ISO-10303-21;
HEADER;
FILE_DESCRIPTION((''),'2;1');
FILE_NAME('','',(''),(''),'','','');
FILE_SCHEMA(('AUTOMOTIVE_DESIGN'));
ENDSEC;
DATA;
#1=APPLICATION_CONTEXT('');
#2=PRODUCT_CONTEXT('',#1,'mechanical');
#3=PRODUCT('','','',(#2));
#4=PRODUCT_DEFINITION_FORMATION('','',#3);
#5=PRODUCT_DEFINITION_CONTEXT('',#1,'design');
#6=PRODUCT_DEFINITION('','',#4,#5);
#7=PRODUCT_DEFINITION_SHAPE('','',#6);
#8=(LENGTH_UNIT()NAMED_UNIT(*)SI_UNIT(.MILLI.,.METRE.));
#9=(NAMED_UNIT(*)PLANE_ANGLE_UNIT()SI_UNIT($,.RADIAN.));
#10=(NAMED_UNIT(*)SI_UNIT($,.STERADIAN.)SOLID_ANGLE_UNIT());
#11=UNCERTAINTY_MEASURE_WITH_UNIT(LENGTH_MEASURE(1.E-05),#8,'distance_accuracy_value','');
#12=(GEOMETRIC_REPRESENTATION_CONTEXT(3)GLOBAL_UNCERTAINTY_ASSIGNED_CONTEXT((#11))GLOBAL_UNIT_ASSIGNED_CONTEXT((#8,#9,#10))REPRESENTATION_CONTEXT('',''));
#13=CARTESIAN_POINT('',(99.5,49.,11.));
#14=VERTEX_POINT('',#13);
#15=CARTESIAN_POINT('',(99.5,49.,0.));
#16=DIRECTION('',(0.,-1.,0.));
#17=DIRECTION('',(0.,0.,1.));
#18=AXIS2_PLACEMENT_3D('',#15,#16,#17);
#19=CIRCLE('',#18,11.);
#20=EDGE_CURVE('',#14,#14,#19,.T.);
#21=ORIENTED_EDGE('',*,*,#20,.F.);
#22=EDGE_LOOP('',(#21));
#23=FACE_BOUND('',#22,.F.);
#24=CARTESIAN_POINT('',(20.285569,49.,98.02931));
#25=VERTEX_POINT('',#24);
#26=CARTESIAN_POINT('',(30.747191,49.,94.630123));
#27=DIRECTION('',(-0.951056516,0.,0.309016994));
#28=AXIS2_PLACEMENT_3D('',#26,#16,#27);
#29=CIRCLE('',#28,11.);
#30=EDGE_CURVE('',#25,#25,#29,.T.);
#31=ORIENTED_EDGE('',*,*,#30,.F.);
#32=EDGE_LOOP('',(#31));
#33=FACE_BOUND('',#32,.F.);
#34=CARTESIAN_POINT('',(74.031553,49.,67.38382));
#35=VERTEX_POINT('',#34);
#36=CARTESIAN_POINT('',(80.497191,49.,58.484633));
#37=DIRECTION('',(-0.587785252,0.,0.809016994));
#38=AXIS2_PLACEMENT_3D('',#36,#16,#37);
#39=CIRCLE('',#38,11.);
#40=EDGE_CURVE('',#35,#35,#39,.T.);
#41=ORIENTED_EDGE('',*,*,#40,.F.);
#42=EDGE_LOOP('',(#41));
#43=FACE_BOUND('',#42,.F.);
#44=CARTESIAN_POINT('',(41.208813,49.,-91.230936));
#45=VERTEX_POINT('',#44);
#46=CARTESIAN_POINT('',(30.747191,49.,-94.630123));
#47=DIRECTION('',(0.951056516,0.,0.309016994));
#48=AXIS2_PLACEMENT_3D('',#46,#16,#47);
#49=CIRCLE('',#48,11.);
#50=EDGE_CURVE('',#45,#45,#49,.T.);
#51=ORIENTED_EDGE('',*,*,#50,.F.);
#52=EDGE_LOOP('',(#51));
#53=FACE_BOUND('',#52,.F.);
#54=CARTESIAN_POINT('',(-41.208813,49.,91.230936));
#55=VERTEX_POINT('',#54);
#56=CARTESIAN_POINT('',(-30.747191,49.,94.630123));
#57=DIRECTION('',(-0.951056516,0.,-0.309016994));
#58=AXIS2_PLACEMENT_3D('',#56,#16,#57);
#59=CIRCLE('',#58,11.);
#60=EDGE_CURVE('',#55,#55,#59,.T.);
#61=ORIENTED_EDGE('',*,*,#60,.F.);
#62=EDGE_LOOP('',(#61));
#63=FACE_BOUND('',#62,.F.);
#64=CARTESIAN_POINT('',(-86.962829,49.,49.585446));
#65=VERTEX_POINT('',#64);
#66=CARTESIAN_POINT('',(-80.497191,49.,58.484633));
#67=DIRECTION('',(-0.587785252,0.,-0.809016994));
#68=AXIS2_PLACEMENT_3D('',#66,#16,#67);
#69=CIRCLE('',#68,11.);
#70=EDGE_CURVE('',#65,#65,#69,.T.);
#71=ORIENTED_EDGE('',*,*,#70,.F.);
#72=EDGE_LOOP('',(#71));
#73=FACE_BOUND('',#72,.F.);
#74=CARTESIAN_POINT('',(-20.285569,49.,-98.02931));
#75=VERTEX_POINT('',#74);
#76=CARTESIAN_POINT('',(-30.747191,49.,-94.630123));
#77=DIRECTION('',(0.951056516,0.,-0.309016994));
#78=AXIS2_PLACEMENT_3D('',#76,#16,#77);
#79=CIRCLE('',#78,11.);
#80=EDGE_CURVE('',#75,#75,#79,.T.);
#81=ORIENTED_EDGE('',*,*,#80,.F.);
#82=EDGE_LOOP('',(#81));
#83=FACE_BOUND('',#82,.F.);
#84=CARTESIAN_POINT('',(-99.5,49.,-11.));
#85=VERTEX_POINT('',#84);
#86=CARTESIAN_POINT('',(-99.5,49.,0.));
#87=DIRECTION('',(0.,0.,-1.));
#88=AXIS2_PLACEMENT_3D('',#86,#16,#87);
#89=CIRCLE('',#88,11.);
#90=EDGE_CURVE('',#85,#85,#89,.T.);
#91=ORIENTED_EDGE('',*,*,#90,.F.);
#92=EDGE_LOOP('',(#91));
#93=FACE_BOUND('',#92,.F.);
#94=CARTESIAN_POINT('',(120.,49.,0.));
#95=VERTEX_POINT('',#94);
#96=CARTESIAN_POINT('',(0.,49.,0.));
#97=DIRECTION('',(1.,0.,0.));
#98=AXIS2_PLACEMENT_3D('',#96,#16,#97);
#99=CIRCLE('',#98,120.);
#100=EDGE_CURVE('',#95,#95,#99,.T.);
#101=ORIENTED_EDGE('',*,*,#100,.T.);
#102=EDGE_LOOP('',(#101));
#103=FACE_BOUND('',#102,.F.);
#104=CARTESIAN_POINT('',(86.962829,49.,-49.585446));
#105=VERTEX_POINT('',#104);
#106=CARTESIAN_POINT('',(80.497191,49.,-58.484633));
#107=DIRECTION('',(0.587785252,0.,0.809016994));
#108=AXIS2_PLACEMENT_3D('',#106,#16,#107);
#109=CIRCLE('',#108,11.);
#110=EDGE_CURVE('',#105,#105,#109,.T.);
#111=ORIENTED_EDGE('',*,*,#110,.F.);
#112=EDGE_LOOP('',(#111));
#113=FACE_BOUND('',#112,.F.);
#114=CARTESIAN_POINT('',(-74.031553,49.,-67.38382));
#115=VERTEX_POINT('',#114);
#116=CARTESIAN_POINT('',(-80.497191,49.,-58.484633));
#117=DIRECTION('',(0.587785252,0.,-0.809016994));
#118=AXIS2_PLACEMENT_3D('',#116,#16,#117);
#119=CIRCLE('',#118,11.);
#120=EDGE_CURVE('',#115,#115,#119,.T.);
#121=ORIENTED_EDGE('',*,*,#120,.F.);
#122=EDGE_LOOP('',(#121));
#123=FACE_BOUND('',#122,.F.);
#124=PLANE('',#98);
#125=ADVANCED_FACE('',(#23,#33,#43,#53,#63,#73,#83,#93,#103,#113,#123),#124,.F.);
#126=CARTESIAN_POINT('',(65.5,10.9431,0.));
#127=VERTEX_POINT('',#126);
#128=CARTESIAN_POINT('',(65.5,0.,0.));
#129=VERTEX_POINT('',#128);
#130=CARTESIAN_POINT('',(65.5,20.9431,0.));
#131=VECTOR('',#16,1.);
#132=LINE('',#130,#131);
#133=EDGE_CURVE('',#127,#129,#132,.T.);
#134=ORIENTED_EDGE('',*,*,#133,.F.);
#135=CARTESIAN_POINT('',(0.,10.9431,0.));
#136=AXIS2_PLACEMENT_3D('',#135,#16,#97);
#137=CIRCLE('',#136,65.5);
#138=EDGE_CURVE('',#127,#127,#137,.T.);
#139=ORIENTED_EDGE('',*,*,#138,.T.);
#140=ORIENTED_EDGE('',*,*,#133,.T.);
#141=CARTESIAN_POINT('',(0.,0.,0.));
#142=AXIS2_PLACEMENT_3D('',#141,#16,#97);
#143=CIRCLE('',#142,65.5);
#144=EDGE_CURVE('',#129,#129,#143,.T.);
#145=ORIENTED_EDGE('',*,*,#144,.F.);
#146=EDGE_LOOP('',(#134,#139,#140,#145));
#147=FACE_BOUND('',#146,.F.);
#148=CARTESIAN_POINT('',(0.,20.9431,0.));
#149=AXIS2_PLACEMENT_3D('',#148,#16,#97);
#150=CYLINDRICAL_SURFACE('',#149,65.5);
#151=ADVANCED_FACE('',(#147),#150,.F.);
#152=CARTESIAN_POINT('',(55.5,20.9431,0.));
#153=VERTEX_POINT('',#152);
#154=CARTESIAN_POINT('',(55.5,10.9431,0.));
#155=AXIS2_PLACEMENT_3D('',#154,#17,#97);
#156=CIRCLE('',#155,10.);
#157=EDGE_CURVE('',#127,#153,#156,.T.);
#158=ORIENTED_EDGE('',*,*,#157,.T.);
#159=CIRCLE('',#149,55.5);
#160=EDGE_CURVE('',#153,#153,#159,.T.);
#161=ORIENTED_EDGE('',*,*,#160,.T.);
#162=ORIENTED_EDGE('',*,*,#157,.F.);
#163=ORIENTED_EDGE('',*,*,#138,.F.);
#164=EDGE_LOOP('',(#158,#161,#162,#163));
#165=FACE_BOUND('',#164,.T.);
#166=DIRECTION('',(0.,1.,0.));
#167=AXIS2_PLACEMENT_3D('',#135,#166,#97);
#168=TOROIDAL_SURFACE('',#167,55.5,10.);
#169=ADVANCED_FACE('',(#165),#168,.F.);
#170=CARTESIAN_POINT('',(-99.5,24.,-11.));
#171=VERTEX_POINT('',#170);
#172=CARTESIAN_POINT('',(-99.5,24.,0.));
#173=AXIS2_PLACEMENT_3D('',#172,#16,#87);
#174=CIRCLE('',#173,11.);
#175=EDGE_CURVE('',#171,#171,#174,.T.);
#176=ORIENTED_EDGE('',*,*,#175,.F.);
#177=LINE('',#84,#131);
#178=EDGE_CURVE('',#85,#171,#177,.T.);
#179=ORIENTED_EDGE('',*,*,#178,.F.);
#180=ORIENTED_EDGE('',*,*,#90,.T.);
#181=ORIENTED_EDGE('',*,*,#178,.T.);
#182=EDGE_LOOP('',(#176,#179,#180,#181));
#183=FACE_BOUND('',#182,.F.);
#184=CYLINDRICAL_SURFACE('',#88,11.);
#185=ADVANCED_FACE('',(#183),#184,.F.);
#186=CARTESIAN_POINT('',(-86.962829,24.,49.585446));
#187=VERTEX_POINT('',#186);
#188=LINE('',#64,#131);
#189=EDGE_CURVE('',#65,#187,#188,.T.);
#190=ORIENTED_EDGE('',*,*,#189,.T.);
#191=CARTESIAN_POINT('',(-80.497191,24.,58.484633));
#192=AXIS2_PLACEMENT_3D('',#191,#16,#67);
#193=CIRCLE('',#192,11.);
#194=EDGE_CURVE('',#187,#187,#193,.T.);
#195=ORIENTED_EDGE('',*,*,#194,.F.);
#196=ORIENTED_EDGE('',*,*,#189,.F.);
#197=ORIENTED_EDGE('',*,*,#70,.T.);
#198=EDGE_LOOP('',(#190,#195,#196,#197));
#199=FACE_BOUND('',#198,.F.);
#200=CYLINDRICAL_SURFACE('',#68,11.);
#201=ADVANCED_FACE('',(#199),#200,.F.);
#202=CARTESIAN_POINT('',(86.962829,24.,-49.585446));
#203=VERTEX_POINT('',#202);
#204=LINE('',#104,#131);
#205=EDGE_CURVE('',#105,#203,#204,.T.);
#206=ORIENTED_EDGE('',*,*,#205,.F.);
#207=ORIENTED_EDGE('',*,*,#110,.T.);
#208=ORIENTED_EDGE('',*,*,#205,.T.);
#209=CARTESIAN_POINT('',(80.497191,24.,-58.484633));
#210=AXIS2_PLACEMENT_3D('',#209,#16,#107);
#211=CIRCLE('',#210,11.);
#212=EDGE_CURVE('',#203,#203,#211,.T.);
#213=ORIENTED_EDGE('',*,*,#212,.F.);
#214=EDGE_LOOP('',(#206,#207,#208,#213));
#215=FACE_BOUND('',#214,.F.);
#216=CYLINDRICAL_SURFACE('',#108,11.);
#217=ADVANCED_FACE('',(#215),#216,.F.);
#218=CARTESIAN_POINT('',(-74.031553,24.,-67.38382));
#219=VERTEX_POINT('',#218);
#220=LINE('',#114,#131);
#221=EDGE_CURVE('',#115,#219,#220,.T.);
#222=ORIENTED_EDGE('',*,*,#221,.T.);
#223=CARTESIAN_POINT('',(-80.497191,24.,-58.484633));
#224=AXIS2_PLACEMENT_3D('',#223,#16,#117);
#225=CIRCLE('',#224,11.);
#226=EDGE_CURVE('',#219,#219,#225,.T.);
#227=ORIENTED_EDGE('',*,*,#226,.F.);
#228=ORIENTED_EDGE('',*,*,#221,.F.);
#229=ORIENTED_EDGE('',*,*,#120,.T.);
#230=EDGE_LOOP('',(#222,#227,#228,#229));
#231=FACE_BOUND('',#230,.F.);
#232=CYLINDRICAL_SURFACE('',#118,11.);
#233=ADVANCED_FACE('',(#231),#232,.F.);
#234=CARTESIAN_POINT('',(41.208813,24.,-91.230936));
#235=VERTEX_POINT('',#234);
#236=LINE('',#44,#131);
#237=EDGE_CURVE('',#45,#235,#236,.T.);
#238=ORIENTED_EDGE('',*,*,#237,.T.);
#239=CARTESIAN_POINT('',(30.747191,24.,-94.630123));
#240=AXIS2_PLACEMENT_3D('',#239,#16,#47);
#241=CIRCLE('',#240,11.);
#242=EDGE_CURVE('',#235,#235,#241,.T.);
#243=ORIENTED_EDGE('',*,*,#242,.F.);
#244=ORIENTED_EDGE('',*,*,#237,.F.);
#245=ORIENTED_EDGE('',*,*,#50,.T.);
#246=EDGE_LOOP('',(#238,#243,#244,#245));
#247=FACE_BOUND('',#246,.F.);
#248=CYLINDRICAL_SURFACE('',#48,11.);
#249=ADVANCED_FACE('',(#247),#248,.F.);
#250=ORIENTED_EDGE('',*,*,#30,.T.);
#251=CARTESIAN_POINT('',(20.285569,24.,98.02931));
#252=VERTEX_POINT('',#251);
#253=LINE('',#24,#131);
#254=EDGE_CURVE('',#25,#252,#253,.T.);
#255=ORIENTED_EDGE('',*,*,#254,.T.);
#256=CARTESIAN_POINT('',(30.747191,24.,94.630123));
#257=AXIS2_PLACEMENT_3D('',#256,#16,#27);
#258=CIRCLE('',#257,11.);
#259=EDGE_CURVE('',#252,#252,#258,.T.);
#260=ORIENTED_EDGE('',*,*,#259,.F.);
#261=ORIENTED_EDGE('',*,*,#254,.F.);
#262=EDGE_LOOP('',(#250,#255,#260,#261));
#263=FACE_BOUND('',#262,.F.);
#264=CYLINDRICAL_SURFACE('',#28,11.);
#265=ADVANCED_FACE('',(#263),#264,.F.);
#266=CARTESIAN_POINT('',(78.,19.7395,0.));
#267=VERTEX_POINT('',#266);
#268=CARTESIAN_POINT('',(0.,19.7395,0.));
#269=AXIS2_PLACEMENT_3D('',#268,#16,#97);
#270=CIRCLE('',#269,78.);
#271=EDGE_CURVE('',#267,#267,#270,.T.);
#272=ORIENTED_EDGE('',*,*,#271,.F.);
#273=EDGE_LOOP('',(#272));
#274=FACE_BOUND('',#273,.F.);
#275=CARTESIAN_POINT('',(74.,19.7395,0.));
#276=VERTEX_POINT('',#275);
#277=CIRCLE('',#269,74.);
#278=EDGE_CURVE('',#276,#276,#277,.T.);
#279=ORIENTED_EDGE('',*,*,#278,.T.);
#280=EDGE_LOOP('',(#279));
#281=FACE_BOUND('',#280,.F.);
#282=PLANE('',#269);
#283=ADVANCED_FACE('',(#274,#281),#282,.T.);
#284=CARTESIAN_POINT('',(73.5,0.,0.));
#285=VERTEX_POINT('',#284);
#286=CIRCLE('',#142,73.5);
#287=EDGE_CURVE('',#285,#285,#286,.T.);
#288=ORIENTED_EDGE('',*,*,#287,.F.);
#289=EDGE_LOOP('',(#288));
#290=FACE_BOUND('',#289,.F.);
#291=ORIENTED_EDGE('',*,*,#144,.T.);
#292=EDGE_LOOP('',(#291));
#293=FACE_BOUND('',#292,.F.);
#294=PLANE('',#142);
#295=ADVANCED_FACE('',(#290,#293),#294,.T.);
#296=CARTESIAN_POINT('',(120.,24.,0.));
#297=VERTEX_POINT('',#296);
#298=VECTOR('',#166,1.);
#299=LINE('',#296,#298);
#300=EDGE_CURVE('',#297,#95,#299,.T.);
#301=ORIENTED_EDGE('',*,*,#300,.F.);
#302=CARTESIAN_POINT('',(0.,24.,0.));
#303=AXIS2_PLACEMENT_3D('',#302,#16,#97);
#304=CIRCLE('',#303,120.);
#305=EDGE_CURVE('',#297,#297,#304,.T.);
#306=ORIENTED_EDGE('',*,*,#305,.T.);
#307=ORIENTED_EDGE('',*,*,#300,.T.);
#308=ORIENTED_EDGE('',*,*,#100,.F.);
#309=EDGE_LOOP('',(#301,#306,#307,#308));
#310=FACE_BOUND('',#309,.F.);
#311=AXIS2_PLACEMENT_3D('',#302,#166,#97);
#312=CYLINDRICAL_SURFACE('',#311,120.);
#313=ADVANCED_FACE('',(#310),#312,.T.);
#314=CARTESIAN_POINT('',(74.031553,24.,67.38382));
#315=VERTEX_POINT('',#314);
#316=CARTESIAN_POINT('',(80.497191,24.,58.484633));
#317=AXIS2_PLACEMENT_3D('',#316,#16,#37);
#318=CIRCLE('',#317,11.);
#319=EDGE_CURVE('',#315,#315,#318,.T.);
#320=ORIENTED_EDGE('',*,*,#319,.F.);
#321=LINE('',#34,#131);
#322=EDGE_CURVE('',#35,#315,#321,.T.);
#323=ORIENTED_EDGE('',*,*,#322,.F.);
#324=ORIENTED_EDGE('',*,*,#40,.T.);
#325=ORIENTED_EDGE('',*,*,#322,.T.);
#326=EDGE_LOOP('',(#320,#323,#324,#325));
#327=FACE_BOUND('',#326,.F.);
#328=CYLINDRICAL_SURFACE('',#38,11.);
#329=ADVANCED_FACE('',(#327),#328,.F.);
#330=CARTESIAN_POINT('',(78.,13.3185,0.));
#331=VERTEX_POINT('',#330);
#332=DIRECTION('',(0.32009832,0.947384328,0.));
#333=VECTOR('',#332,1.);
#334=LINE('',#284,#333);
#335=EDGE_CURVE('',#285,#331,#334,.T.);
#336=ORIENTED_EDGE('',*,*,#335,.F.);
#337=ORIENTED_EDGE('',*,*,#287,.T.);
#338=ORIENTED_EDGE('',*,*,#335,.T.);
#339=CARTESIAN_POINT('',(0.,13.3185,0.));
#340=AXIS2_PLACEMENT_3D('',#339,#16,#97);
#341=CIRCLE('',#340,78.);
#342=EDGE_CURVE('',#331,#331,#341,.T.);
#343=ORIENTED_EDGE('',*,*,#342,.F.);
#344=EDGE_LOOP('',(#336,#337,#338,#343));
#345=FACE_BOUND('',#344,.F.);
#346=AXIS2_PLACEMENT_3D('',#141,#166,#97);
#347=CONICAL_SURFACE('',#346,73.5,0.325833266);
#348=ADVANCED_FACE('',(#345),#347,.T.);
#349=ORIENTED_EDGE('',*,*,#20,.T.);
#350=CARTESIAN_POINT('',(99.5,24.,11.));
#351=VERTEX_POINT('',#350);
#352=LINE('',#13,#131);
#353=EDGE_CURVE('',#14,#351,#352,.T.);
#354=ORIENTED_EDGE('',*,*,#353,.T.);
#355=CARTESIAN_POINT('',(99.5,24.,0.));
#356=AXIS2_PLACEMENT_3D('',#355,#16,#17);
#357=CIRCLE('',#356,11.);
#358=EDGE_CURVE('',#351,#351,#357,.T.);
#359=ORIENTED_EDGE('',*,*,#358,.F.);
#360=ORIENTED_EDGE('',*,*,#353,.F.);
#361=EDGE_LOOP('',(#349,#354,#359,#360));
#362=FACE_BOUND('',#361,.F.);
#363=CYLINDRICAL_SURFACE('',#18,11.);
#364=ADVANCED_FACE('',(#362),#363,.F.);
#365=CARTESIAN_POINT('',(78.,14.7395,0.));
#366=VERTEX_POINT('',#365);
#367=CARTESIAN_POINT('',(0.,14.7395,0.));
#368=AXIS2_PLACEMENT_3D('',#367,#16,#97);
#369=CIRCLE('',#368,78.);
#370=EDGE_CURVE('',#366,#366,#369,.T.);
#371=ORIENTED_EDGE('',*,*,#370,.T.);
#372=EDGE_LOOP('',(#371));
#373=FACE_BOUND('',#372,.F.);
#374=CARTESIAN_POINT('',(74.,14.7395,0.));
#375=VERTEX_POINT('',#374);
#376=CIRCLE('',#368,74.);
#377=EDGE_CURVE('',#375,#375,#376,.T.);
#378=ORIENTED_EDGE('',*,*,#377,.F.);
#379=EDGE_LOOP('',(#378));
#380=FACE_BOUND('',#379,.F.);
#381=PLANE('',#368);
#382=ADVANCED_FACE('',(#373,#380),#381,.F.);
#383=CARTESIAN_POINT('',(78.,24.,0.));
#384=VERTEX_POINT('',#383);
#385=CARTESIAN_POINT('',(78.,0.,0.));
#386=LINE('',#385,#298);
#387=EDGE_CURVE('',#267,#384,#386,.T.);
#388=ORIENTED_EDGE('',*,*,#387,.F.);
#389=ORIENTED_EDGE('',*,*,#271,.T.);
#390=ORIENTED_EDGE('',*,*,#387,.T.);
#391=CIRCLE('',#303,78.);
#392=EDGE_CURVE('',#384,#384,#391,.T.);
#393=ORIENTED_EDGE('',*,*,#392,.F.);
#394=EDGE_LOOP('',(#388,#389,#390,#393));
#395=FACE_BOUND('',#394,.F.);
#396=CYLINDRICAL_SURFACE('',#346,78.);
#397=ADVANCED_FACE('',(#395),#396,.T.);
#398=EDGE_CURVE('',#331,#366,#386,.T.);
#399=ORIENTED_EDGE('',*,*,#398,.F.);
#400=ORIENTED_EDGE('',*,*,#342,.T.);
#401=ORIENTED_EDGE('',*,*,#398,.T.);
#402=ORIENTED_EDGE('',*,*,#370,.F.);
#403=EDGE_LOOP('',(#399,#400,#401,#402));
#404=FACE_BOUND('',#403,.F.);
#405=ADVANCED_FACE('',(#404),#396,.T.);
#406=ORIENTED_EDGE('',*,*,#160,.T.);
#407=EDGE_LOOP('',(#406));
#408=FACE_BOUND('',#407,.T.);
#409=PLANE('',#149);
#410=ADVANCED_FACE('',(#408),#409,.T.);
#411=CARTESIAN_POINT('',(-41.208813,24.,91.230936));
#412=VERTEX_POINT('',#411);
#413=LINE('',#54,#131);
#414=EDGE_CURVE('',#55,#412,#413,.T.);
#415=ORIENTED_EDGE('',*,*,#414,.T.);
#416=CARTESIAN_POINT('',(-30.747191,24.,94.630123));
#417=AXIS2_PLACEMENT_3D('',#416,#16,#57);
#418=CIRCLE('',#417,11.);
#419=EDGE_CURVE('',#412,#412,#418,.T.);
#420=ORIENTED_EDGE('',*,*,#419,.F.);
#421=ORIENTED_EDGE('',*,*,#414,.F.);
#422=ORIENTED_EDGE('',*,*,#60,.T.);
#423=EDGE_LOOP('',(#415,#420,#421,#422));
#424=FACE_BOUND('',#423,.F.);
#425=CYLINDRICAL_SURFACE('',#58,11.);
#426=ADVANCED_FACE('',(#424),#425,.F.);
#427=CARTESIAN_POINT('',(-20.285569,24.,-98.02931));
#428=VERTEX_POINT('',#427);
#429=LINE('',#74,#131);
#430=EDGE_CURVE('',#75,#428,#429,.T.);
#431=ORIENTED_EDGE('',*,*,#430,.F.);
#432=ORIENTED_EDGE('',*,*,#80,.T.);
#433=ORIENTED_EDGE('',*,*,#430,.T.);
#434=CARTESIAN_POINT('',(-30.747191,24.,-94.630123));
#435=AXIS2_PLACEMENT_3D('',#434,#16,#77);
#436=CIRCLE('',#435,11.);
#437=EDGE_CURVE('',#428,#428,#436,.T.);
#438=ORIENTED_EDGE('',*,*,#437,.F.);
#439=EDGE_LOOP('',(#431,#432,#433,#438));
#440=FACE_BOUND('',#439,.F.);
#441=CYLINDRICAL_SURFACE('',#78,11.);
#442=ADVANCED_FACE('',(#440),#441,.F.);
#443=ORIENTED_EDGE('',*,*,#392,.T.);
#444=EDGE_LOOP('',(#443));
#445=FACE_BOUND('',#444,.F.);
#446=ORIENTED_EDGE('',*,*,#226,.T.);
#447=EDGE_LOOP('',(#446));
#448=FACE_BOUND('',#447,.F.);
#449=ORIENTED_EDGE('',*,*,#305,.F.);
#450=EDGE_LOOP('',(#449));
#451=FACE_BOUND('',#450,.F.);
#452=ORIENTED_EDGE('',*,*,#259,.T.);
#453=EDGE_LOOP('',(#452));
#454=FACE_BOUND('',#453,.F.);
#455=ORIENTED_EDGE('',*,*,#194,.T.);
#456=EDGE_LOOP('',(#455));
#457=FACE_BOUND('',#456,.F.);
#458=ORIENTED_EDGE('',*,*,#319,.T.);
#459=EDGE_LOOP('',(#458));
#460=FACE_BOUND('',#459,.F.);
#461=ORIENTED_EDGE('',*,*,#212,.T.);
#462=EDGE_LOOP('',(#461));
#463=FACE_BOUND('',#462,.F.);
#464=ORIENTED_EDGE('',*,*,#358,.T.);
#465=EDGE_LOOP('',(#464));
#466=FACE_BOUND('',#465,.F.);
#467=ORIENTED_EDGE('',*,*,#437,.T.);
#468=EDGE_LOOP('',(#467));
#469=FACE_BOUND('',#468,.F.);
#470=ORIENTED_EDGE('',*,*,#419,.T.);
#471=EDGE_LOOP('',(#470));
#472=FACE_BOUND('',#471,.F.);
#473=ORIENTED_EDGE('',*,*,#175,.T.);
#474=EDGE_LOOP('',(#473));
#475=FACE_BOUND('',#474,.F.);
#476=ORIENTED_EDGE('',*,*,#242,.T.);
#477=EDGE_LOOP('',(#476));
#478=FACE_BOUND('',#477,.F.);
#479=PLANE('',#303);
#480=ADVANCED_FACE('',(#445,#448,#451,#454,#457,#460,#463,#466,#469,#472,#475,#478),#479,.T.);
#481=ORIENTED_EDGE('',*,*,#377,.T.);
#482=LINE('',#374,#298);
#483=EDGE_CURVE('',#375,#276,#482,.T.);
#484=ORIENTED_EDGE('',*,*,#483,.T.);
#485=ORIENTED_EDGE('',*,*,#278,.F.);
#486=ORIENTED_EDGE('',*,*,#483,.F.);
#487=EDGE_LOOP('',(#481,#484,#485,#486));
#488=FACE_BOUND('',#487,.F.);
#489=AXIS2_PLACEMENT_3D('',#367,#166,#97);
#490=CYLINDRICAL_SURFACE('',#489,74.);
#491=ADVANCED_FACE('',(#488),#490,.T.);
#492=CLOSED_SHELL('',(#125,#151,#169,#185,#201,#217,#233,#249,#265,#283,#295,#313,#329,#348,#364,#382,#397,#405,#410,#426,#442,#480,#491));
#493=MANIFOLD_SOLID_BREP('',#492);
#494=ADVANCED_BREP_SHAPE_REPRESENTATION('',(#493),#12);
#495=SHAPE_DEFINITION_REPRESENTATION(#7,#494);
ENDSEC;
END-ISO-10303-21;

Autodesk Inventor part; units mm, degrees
ref_plane "YZ Plane" through (0, 0, 0) normal (1, 0, 0) x (0, 1, 0)
ref_plane "XZ Plane" through (0, 0, 0) normal (0, 1, 0) x (-1, 0, 0)
ref_plane "XY Plane" through (0, 0, 0) normal (0, 0, 1) x (1, 0, 0)
sketch "Эскиз1" plane through (0, 0, 0) normal (0, 0, 1) x (1, 0, 0)
  line L0 (0, 0) -> (78, 0)
  line L1 (78, 0) -> (78, 24)
  line L2 (78, 24) -> (120, 24)
  line L3 (120, 24) -> (120, 49)
  line L4 (120, 49) -> (0, 49)
  line L5 (65.5, 20.9431) -> (0, 20.9431)
  line L6 (0, 49) -> (0, 20.9431)
  line L7 (65.5, 20.9431) -> (65.5, 0)
  line L8 (65.5, 0) -> (73.5, 0)
  line L9 (73.5, 0) -> (78, 13.3185)
  line L10 (78, 14.7395) -> (74, 14.7395)
  line L11 (74, 14.7395) -> (74, 19.7395)
  line L12 (74, 19.7395) -> (78, 19.7395)
  dimension "d0" = 78
  dimension "d1" = 24
  dimension "d2" = 42
  dimension "d3" = 25
  dimension "d18" = 65.5
  dimension "d19" = 8
  dimension "d21" = 4
  dimension "d22" = 5
revolve "Вращение1" add sketch "Эскиз1" angle 360 about axis through (0, 49, 0) along (0, -1, 0) contours L7 L5 L6 L4 L3 L2 L1 L12 L11 L10 L9 L0
sketch "Эскиз2" plane through (0, 49, 0) normal (0, 1, 0) x (1, 0, 0)
  circle A0 centre (0, 0) radius 120 projected
  line L0 (120, 0) -> (99.5, 0)
  point P0 (0, 0)
  dimension "d7" = 20.5
hole "Отверстие1" at (99.5, 49, 0) direction (0, -1, 0) diameter 22 end through all
pattern_circular "Круговой массив1" count 10 over 360 about axis through (0, 10.4715, 0) along (0, -1, 0) of "Отверстие1"
fillet "Сопряжение1" radius 10 1 edges at (-65.5, 20.9431, 0)
properties part number "Крышка стакана" material "Чугун, серый"
